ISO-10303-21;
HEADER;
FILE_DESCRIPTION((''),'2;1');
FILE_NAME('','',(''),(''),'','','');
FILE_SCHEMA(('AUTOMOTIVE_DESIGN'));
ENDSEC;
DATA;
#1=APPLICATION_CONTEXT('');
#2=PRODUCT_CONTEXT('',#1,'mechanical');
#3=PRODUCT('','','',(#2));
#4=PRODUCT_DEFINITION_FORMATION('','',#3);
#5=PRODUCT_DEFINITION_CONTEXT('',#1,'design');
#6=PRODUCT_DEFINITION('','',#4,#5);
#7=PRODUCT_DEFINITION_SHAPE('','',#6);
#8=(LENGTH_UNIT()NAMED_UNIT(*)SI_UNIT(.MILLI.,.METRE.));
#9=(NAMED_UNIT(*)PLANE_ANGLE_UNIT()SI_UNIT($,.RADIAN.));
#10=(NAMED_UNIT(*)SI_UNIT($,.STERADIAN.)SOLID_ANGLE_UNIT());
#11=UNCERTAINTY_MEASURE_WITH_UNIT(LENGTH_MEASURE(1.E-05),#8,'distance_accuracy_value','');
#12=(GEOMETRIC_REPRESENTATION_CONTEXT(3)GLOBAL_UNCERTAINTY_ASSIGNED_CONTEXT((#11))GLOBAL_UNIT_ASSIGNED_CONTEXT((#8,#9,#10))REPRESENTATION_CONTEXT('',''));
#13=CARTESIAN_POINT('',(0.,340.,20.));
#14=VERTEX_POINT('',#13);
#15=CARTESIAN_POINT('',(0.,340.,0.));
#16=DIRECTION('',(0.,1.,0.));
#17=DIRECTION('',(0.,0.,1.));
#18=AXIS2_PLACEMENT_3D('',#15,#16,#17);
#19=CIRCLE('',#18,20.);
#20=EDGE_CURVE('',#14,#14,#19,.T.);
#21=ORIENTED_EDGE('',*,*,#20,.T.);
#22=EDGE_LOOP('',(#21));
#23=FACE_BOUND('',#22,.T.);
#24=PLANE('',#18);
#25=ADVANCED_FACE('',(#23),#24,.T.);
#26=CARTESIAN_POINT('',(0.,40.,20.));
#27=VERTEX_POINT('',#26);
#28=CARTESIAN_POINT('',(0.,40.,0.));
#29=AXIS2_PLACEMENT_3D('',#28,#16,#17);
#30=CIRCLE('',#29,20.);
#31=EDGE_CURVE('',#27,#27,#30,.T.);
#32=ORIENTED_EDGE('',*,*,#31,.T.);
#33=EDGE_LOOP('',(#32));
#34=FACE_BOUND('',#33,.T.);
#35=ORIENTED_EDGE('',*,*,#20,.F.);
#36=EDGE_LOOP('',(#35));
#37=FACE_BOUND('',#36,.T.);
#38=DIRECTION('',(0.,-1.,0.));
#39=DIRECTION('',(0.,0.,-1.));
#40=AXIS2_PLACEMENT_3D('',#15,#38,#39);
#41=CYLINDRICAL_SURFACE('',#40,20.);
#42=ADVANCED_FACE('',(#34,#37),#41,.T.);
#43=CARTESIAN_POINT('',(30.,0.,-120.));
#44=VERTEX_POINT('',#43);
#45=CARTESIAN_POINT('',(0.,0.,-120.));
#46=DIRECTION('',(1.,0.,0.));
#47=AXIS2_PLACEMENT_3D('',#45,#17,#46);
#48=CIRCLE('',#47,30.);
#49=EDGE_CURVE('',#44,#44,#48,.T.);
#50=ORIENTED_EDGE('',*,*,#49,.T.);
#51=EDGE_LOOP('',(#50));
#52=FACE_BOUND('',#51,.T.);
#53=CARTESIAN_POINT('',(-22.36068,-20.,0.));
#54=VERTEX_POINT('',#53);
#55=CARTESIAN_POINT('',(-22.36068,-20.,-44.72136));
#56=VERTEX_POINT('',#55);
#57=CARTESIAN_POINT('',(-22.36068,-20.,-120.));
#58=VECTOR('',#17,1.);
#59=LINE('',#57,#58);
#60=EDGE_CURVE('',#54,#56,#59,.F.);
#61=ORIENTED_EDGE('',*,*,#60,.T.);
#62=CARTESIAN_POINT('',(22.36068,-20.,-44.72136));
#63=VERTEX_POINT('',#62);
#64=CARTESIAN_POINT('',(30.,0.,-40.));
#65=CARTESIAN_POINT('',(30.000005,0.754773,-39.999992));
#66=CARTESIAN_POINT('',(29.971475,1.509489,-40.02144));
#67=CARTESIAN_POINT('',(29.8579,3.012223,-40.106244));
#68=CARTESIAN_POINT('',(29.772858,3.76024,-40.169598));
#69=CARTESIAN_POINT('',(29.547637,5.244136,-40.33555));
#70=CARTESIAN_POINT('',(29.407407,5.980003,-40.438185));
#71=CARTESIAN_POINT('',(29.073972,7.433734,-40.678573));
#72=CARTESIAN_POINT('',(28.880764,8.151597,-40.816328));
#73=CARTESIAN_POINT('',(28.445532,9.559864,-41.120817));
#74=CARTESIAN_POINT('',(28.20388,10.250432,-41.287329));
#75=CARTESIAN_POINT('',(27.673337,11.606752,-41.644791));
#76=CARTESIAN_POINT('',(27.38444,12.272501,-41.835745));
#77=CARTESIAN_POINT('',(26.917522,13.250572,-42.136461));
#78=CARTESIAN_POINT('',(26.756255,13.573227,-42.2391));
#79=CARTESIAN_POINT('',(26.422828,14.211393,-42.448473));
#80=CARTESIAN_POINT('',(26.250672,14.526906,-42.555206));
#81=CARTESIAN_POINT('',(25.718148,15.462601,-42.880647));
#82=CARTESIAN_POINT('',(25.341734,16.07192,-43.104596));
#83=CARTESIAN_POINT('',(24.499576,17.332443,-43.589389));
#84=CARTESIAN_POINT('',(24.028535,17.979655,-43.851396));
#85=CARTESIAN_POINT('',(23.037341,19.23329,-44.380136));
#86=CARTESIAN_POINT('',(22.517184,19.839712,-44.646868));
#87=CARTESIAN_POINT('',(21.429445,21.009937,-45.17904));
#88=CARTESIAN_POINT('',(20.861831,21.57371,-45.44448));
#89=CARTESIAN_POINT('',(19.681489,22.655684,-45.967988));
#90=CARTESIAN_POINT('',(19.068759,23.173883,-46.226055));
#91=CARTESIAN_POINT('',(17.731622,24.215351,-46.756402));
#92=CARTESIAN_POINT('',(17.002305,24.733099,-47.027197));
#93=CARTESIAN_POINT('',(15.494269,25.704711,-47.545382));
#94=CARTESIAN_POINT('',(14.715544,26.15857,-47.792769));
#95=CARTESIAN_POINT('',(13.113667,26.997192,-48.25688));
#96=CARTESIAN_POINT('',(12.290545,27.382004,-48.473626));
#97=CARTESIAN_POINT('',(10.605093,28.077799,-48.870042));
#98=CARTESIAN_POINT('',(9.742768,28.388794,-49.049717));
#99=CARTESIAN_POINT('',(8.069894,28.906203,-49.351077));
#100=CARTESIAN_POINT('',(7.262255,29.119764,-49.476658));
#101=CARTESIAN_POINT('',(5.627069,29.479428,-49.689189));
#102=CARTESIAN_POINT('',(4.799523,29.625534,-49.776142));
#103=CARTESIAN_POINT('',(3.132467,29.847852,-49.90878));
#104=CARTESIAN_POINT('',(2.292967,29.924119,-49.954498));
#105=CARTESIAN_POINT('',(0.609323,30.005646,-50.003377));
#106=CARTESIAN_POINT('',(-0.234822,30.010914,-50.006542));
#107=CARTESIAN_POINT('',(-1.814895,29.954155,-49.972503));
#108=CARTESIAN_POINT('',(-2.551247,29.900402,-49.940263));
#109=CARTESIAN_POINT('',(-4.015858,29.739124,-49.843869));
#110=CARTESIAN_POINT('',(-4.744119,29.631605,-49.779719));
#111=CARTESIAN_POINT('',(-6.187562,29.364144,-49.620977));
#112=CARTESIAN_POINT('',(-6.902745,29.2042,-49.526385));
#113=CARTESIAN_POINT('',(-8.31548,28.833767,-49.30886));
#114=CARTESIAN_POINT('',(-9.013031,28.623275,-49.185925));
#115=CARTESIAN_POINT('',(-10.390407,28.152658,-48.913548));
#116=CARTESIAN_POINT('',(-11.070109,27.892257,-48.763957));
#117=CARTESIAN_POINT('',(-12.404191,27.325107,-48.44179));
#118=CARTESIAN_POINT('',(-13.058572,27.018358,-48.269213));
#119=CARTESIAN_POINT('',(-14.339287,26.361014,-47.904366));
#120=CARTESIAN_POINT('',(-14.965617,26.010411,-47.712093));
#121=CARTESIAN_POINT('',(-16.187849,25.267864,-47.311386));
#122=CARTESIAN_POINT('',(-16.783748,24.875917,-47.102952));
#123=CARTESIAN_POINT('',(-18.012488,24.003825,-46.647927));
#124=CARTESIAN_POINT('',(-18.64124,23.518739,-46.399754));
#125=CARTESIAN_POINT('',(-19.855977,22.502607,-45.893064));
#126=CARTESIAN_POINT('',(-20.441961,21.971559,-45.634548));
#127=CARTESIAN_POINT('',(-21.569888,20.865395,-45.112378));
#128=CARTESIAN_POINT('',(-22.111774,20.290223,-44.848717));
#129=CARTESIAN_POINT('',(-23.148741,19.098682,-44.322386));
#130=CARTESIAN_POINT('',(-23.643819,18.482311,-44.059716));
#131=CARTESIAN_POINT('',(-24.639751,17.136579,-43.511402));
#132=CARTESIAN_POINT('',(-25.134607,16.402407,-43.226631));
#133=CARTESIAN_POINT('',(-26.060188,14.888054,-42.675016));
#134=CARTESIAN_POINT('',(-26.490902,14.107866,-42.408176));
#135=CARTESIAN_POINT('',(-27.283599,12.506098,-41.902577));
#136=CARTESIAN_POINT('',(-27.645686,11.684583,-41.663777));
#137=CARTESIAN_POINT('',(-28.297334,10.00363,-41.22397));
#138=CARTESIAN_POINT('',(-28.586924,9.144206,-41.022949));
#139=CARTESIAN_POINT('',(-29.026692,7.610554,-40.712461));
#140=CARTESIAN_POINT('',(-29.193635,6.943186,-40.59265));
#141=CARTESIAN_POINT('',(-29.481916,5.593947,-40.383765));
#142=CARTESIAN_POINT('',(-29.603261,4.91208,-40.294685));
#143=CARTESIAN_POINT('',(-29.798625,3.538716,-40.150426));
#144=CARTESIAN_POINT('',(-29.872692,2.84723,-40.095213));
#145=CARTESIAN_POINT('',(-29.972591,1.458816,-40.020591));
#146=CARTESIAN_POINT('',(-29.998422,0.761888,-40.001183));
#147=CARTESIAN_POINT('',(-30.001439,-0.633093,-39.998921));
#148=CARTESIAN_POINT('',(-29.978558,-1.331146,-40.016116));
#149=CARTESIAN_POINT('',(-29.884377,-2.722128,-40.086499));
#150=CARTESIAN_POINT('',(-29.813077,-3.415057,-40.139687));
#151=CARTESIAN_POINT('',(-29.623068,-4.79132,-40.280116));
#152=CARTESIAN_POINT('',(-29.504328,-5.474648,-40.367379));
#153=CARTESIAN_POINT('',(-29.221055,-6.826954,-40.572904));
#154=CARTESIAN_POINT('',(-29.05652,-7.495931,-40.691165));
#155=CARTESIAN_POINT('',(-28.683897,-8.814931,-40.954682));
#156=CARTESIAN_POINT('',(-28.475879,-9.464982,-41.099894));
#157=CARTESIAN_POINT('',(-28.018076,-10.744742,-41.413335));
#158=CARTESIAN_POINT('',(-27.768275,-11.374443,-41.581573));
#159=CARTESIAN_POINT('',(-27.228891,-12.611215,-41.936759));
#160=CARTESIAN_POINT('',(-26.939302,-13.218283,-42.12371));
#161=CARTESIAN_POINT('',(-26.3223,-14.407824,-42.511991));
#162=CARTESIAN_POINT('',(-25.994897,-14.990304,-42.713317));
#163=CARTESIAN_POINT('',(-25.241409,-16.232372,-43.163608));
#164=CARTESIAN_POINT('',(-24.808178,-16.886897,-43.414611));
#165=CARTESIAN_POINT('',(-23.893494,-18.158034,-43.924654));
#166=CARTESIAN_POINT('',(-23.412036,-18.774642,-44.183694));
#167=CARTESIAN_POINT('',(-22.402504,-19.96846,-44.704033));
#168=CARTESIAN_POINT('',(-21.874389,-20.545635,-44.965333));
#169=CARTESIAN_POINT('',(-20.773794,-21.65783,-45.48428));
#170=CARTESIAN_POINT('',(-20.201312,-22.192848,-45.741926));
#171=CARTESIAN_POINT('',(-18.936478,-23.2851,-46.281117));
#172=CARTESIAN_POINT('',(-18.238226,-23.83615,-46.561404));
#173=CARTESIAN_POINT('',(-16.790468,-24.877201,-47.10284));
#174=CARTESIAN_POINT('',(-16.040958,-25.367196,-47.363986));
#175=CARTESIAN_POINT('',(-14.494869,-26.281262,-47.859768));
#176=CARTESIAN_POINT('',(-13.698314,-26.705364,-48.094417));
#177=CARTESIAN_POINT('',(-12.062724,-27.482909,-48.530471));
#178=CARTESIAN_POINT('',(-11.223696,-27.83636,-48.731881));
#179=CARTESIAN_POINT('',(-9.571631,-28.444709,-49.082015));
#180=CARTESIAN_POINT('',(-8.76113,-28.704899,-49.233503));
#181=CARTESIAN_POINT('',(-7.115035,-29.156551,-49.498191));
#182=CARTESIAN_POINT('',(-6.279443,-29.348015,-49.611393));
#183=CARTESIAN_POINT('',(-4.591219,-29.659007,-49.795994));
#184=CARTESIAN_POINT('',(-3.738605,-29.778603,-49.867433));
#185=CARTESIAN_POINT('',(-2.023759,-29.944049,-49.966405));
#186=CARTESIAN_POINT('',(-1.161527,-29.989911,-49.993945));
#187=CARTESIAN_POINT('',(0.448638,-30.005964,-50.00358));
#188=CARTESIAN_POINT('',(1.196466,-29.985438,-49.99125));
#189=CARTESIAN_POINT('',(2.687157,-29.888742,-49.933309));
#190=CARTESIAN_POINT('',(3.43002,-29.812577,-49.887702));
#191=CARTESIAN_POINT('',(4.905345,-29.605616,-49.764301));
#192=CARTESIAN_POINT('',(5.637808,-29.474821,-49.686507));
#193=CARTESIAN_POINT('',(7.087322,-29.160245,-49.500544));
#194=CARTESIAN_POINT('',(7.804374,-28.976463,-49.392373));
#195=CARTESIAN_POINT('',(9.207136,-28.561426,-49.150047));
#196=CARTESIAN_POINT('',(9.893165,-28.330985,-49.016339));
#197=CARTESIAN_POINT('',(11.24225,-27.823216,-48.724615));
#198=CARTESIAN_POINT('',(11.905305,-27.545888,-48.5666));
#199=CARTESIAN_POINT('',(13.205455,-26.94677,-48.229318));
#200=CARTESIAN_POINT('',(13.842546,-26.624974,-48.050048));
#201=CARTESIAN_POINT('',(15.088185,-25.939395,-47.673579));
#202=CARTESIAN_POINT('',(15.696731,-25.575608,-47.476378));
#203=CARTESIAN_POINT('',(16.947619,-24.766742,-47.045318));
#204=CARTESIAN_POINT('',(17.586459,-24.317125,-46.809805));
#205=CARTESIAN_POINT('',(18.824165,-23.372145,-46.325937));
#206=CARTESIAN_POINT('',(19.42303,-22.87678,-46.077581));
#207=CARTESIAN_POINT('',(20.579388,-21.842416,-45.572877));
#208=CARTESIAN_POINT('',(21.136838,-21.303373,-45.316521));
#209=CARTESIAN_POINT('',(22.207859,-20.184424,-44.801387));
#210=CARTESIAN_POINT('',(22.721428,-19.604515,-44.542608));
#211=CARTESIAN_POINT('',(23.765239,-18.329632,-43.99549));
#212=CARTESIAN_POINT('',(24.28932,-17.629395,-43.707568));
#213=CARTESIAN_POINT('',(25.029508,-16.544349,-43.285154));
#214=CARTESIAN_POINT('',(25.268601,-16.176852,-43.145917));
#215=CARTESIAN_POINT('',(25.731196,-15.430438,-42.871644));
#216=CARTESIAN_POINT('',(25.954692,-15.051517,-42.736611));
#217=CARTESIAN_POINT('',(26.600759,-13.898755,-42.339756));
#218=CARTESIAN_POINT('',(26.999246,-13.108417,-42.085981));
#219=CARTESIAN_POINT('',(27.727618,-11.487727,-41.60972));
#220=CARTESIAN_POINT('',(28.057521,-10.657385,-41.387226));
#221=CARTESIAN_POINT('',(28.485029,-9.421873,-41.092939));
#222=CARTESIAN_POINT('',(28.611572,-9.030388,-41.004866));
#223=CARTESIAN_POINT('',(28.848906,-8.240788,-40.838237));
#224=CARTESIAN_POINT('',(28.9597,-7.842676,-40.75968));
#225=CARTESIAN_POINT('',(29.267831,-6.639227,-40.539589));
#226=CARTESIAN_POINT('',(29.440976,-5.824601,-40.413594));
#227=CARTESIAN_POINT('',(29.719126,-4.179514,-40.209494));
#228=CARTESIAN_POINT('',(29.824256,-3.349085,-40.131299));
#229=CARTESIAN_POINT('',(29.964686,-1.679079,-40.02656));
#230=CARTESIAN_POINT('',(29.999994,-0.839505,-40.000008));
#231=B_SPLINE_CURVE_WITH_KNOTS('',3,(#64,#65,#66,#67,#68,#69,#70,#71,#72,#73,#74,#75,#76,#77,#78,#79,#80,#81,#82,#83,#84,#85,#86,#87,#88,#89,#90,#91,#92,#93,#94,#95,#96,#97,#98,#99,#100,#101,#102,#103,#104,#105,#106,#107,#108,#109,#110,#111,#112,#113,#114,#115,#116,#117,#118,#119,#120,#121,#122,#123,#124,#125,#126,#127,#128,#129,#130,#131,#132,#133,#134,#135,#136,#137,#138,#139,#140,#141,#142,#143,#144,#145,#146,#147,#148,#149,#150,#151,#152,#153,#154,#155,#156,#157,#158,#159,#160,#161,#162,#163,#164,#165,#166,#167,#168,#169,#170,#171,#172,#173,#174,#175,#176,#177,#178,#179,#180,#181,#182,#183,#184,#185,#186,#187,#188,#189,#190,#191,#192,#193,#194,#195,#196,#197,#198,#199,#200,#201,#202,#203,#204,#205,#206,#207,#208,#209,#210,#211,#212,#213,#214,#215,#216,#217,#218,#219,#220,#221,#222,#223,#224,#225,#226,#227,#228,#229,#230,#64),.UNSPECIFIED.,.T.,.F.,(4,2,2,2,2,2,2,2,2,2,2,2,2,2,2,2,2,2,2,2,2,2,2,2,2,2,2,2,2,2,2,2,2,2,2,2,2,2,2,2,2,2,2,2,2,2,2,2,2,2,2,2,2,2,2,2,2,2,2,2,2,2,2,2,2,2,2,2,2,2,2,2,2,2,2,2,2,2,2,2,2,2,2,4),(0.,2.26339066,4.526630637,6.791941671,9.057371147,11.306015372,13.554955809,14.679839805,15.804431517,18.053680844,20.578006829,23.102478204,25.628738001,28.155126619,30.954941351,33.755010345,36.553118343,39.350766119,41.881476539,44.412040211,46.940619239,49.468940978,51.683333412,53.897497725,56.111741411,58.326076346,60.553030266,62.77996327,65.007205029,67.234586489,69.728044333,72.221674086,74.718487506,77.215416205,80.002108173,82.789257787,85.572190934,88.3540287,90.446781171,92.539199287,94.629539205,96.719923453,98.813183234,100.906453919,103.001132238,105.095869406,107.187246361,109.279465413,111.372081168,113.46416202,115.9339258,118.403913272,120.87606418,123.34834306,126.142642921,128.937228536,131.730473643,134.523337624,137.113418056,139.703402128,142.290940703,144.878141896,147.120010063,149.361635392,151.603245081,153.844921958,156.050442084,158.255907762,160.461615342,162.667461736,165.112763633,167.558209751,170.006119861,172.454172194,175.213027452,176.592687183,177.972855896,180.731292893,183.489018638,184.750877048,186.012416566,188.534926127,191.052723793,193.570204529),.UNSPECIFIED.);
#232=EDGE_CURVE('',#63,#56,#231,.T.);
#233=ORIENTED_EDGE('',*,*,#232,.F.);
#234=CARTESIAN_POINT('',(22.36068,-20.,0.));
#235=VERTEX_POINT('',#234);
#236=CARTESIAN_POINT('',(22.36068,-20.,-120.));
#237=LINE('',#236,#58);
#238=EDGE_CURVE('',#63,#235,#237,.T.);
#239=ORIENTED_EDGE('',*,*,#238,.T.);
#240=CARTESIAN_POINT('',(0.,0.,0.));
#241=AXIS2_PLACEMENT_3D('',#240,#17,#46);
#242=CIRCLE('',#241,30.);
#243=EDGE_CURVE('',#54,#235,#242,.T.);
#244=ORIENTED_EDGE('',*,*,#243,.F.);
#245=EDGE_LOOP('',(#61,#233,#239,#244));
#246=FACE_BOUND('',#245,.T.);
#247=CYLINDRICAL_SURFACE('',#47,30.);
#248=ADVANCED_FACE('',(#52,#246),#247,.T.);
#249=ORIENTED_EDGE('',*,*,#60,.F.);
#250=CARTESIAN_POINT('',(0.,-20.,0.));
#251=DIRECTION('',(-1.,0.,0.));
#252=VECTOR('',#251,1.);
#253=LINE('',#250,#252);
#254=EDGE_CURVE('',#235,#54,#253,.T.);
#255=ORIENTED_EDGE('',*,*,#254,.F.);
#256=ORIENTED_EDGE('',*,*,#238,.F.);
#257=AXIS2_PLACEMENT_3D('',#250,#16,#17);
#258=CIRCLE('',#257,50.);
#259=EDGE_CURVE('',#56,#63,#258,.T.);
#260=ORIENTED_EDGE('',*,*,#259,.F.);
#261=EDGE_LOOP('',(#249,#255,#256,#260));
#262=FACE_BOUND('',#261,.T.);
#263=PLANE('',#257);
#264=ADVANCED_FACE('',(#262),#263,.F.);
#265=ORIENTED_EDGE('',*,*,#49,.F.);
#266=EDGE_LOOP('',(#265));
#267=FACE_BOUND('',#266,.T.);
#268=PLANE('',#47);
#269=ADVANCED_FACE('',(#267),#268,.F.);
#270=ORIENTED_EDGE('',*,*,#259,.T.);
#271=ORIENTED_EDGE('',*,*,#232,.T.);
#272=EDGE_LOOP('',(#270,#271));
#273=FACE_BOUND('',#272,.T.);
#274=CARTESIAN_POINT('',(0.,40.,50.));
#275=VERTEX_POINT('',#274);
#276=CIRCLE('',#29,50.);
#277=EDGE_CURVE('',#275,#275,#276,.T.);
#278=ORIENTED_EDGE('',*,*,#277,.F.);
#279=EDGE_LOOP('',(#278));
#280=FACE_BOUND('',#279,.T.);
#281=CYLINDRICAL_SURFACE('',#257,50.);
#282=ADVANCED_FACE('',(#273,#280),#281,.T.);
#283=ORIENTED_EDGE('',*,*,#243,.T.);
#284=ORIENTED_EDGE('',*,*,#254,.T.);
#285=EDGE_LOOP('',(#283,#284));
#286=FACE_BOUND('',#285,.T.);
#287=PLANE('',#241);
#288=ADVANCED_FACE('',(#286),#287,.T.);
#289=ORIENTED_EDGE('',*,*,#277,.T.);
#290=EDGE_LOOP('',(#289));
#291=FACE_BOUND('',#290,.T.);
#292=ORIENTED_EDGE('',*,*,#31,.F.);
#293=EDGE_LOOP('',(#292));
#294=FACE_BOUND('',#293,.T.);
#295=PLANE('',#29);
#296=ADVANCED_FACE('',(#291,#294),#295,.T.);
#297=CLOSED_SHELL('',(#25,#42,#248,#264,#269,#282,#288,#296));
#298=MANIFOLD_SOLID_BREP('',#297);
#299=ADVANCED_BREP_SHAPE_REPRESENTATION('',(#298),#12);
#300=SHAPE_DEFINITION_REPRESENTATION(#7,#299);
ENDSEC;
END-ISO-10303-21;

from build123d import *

# Parameters (mm, degrees)
SKETCH1_R                = 30
BOSS_EXTRUDE1_DEPTH      = 120
BOSS_EXTRUDE2_DEPTH      = 40
BOSS_EXTRUDE2_DEPTH_BACK = 20
SKETCH2_R                = 50
SKETCH3_R                = 20
BOSS_EXTRUDE3_DEPTH      = 300


with BuildPart() as part:
    # Sketch1 → Boss-Extrude1 (new body)
    with BuildSketch(Plane.XY):
        Circle(SKETCH1_R)
    extrude(amount=-BOSS_EXTRUDE1_DEPTH)

    # Sketch2 → Boss-Extrude2 (add, two sides: drawn at the far end of the back side and taken through both)
    with BuildSketch(Plane(origin=(0, 0, 0), x_dir=(1, 0, 0), z_dir=(0, 1, 0)).offset(-BOSS_EXTRUDE2_DEPTH_BACK)):
        Circle(SKETCH2_R)
    extrude(amount=BOSS_EXTRUDE2_DEPTH + BOSS_EXTRUDE2_DEPTH_BACK)

    # Sketch3 → Boss-Extrude3 (add)
    with BuildSketch(Plane(origin=(0, 40, 0), x_dir=(1, 0, 0), z_dir=(0, 1, 0))):
        Circle(SKETCH3_R)
    extrude(amount=BOSS_EXTRUDE3_DEPTH)


solid = part.part
